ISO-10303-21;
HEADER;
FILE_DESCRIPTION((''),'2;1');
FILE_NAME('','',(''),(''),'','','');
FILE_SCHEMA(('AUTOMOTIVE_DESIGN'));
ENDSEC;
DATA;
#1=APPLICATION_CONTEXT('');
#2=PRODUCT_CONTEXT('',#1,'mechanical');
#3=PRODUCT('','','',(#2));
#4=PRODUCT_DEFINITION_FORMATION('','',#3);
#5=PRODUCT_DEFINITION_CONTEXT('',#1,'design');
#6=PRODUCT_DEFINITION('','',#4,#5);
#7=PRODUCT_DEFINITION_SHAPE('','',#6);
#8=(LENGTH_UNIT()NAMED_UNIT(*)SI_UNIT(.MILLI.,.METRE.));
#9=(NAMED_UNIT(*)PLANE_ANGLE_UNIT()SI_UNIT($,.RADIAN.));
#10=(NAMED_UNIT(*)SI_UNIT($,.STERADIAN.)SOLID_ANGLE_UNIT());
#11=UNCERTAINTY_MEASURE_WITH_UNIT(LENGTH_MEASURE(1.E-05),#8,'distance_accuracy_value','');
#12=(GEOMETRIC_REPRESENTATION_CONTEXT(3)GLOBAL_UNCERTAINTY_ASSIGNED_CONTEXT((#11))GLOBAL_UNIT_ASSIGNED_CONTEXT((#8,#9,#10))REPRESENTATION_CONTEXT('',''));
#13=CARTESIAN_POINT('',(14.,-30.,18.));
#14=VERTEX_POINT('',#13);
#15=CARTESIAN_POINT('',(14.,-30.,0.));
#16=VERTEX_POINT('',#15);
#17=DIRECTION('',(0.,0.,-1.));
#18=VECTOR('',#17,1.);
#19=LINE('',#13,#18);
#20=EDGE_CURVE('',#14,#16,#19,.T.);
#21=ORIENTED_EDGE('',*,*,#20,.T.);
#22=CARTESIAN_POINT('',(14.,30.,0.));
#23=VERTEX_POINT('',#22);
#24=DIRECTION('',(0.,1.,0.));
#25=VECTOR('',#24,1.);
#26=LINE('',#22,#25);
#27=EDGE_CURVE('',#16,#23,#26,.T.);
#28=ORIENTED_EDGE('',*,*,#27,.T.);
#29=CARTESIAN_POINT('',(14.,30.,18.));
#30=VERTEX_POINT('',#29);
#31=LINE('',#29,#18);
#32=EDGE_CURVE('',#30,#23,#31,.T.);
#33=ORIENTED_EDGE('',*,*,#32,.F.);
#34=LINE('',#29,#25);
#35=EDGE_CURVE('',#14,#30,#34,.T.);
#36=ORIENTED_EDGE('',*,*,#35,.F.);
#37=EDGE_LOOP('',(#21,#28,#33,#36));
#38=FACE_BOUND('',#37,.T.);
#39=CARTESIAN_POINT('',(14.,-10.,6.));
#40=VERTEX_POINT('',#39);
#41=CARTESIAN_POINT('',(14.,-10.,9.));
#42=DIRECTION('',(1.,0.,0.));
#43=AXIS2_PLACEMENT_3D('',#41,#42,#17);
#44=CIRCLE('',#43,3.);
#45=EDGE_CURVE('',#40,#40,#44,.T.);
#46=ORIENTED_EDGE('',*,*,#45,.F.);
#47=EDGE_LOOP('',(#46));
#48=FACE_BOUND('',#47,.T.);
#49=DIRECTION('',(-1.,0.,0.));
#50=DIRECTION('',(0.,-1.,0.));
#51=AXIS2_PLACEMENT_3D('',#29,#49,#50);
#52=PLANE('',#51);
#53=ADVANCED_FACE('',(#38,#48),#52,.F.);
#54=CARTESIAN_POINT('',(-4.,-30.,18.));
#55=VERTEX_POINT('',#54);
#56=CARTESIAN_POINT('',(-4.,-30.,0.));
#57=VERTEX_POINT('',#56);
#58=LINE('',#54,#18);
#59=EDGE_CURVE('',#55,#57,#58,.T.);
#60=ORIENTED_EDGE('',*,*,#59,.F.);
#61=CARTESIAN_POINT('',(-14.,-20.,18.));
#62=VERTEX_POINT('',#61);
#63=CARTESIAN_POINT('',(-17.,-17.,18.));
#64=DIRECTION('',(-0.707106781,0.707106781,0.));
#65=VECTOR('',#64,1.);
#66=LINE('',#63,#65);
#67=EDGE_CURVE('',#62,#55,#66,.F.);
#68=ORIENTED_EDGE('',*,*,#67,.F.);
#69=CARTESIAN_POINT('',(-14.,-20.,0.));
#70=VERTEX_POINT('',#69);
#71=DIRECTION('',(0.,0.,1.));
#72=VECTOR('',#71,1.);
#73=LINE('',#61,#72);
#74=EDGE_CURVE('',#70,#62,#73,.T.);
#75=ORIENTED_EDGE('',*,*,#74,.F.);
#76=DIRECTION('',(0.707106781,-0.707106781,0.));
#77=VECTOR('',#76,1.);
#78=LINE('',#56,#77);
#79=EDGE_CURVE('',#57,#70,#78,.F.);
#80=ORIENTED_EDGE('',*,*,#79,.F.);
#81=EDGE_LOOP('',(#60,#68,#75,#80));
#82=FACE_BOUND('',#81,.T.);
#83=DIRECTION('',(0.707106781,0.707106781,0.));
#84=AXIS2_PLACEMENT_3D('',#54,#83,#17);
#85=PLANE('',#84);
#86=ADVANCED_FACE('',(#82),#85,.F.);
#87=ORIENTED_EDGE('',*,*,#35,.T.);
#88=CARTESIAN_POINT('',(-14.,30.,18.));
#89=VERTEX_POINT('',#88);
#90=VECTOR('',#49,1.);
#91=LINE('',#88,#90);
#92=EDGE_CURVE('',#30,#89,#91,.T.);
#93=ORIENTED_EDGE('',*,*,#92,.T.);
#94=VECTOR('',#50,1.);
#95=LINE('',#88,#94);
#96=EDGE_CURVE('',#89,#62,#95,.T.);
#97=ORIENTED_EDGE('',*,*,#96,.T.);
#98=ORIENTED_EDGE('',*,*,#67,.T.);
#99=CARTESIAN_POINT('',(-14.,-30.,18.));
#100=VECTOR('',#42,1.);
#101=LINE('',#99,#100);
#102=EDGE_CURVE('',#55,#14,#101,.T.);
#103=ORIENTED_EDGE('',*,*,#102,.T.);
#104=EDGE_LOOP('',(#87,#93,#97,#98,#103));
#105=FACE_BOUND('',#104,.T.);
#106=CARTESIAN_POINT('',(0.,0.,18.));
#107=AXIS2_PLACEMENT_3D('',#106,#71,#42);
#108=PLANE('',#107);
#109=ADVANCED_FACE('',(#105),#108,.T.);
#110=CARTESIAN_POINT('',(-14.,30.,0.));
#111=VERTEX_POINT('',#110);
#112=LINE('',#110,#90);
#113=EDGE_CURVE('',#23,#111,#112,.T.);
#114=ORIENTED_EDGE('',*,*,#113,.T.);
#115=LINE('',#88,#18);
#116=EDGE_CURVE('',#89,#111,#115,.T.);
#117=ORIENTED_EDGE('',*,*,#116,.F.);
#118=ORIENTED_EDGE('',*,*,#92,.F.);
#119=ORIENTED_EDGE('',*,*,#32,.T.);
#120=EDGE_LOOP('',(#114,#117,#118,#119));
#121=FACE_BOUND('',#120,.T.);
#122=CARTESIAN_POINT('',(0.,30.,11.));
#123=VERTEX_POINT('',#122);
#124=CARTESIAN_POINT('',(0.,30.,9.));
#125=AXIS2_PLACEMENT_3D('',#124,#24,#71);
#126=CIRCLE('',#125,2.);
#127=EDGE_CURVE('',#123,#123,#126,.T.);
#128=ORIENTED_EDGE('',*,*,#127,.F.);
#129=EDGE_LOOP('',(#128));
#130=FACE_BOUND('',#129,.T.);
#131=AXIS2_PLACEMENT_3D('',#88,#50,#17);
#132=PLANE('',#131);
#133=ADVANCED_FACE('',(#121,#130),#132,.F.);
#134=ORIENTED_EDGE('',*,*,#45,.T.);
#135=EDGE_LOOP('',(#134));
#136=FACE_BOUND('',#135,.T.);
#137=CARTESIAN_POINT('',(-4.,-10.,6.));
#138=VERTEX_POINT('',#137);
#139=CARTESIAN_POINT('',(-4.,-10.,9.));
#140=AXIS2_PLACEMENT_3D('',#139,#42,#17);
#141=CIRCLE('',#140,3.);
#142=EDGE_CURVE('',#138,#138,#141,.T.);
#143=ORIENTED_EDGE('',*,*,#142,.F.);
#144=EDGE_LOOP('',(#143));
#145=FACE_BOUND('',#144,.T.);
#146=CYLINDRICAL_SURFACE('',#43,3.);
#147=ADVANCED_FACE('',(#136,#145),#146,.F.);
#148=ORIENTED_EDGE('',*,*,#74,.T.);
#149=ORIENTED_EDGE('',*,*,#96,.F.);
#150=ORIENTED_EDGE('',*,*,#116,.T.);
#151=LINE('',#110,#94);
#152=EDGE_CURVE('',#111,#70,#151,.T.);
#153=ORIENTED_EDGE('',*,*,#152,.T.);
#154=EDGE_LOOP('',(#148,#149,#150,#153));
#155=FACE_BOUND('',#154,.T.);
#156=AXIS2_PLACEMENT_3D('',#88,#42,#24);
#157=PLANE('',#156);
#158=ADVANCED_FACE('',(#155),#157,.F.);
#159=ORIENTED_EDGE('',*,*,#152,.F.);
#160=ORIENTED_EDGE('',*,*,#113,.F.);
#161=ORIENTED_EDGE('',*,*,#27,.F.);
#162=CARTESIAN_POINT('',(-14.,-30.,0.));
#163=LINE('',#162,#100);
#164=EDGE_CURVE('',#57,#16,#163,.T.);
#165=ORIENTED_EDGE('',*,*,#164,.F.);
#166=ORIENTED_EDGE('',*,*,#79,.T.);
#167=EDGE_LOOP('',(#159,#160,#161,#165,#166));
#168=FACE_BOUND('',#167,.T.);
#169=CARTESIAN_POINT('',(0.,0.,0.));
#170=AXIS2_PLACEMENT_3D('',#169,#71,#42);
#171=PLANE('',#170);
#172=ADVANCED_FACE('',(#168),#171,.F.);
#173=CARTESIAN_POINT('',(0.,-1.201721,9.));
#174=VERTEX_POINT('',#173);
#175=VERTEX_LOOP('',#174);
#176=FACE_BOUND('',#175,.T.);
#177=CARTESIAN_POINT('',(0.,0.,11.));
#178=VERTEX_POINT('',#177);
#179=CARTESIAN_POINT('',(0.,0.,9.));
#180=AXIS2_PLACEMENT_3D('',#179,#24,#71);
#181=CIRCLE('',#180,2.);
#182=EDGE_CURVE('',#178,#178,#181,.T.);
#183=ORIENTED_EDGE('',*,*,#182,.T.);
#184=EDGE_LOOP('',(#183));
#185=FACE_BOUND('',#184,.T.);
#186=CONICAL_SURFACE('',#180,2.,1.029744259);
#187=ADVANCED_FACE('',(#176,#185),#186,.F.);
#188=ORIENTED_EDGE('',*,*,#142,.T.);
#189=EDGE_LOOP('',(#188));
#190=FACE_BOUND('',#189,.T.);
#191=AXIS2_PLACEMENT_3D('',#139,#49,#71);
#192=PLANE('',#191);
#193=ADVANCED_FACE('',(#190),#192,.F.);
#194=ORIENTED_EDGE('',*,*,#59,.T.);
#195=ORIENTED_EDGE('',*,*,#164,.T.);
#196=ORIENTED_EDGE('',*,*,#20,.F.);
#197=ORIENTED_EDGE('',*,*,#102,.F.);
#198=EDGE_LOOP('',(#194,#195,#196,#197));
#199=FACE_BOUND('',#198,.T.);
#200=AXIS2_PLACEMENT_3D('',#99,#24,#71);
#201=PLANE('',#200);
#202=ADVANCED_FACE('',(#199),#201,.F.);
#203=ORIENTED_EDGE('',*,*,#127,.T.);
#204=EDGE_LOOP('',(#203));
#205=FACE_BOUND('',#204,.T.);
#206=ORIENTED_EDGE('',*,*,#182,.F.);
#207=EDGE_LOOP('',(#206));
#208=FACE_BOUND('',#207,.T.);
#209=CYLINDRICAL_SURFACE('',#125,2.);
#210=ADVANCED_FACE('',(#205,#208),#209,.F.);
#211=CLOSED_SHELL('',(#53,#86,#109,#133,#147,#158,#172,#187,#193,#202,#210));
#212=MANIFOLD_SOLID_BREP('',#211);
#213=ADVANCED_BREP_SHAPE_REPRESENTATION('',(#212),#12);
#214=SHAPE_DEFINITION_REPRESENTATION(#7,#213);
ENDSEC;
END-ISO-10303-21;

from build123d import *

# Parameters (mm, degrees)
SKETCH1_W                    = 28
SKETCH1_H                    = 60
BOSS_EXTRUDE1_DEPTH          = 18
CHAMFER1_SIZE                = 10
F_4_0_4_DIAMETER_HOLE1_D     = 4
F_4_0_4_DIAMETER_HOLE1_DEPTH = 30
F_4_0_4_DIAMETER_HOLE1_TIP   = 1.201721238
F_6_0_6_DIAMETER_HOLE2_D     = 6
F_6_0_6_DIAMETER_HOLE2_DEPTH = 18


with BuildPart() as part:
    # Sketch1 → Boss-Extrude1 (new body)
    with BuildSketch(Plane.XY):
        Rectangle(SKETCH1_W, SKETCH1_H)
    extrude(amount=BOSS_EXTRUDE1_DEPTH)

    # Chamfer1
    chamfer1_edges = [part.edges().sort_by_distance(p)[0] for p in [
        (-14, -30, 9),
    ]]
    chamfer(chamfer1_edges, length=CHAMFER1_SIZE)

    # Ø4.0 (4) Diameter Hole1
    with Locations(Plane(origin=(0, 30, 0), x_dir=(1, 0, 0), z_dir=(0, 1, 0))):
        with Locations((0, -9)):
            Hole(F_4_0_4_DIAMETER_HOLE1_D / 2, depth=F_4_0_4_DIAMETER_HOLE1_DEPTH)
            with Locations((0, 0, -(F_4_0_4_DIAMETER_HOLE1_DEPTH + F_4_0_4_DIAMETER_HOLE1_TIP / 2))):  # 118° drill point
                Cone(0, F_4_0_4_DIAMETER_HOLE1_D / 2, F_4_0_4_DIAMETER_HOLE1_TIP, mode=Mode.SUBTRACT)

    # Ø6.0 (6) Diameter Hole2
    with Locations(Plane(origin=(14, 0, 0), x_dir=(0, 0, -1), z_dir=(1, 0, 0))):
        with Locations((-9, -10)):
            Hole(F_6_0_6_DIAMETER_HOLE2_D / 2, depth=F_6_0_6_DIAMETER_HOLE2_DEPTH)


solid = part.part
